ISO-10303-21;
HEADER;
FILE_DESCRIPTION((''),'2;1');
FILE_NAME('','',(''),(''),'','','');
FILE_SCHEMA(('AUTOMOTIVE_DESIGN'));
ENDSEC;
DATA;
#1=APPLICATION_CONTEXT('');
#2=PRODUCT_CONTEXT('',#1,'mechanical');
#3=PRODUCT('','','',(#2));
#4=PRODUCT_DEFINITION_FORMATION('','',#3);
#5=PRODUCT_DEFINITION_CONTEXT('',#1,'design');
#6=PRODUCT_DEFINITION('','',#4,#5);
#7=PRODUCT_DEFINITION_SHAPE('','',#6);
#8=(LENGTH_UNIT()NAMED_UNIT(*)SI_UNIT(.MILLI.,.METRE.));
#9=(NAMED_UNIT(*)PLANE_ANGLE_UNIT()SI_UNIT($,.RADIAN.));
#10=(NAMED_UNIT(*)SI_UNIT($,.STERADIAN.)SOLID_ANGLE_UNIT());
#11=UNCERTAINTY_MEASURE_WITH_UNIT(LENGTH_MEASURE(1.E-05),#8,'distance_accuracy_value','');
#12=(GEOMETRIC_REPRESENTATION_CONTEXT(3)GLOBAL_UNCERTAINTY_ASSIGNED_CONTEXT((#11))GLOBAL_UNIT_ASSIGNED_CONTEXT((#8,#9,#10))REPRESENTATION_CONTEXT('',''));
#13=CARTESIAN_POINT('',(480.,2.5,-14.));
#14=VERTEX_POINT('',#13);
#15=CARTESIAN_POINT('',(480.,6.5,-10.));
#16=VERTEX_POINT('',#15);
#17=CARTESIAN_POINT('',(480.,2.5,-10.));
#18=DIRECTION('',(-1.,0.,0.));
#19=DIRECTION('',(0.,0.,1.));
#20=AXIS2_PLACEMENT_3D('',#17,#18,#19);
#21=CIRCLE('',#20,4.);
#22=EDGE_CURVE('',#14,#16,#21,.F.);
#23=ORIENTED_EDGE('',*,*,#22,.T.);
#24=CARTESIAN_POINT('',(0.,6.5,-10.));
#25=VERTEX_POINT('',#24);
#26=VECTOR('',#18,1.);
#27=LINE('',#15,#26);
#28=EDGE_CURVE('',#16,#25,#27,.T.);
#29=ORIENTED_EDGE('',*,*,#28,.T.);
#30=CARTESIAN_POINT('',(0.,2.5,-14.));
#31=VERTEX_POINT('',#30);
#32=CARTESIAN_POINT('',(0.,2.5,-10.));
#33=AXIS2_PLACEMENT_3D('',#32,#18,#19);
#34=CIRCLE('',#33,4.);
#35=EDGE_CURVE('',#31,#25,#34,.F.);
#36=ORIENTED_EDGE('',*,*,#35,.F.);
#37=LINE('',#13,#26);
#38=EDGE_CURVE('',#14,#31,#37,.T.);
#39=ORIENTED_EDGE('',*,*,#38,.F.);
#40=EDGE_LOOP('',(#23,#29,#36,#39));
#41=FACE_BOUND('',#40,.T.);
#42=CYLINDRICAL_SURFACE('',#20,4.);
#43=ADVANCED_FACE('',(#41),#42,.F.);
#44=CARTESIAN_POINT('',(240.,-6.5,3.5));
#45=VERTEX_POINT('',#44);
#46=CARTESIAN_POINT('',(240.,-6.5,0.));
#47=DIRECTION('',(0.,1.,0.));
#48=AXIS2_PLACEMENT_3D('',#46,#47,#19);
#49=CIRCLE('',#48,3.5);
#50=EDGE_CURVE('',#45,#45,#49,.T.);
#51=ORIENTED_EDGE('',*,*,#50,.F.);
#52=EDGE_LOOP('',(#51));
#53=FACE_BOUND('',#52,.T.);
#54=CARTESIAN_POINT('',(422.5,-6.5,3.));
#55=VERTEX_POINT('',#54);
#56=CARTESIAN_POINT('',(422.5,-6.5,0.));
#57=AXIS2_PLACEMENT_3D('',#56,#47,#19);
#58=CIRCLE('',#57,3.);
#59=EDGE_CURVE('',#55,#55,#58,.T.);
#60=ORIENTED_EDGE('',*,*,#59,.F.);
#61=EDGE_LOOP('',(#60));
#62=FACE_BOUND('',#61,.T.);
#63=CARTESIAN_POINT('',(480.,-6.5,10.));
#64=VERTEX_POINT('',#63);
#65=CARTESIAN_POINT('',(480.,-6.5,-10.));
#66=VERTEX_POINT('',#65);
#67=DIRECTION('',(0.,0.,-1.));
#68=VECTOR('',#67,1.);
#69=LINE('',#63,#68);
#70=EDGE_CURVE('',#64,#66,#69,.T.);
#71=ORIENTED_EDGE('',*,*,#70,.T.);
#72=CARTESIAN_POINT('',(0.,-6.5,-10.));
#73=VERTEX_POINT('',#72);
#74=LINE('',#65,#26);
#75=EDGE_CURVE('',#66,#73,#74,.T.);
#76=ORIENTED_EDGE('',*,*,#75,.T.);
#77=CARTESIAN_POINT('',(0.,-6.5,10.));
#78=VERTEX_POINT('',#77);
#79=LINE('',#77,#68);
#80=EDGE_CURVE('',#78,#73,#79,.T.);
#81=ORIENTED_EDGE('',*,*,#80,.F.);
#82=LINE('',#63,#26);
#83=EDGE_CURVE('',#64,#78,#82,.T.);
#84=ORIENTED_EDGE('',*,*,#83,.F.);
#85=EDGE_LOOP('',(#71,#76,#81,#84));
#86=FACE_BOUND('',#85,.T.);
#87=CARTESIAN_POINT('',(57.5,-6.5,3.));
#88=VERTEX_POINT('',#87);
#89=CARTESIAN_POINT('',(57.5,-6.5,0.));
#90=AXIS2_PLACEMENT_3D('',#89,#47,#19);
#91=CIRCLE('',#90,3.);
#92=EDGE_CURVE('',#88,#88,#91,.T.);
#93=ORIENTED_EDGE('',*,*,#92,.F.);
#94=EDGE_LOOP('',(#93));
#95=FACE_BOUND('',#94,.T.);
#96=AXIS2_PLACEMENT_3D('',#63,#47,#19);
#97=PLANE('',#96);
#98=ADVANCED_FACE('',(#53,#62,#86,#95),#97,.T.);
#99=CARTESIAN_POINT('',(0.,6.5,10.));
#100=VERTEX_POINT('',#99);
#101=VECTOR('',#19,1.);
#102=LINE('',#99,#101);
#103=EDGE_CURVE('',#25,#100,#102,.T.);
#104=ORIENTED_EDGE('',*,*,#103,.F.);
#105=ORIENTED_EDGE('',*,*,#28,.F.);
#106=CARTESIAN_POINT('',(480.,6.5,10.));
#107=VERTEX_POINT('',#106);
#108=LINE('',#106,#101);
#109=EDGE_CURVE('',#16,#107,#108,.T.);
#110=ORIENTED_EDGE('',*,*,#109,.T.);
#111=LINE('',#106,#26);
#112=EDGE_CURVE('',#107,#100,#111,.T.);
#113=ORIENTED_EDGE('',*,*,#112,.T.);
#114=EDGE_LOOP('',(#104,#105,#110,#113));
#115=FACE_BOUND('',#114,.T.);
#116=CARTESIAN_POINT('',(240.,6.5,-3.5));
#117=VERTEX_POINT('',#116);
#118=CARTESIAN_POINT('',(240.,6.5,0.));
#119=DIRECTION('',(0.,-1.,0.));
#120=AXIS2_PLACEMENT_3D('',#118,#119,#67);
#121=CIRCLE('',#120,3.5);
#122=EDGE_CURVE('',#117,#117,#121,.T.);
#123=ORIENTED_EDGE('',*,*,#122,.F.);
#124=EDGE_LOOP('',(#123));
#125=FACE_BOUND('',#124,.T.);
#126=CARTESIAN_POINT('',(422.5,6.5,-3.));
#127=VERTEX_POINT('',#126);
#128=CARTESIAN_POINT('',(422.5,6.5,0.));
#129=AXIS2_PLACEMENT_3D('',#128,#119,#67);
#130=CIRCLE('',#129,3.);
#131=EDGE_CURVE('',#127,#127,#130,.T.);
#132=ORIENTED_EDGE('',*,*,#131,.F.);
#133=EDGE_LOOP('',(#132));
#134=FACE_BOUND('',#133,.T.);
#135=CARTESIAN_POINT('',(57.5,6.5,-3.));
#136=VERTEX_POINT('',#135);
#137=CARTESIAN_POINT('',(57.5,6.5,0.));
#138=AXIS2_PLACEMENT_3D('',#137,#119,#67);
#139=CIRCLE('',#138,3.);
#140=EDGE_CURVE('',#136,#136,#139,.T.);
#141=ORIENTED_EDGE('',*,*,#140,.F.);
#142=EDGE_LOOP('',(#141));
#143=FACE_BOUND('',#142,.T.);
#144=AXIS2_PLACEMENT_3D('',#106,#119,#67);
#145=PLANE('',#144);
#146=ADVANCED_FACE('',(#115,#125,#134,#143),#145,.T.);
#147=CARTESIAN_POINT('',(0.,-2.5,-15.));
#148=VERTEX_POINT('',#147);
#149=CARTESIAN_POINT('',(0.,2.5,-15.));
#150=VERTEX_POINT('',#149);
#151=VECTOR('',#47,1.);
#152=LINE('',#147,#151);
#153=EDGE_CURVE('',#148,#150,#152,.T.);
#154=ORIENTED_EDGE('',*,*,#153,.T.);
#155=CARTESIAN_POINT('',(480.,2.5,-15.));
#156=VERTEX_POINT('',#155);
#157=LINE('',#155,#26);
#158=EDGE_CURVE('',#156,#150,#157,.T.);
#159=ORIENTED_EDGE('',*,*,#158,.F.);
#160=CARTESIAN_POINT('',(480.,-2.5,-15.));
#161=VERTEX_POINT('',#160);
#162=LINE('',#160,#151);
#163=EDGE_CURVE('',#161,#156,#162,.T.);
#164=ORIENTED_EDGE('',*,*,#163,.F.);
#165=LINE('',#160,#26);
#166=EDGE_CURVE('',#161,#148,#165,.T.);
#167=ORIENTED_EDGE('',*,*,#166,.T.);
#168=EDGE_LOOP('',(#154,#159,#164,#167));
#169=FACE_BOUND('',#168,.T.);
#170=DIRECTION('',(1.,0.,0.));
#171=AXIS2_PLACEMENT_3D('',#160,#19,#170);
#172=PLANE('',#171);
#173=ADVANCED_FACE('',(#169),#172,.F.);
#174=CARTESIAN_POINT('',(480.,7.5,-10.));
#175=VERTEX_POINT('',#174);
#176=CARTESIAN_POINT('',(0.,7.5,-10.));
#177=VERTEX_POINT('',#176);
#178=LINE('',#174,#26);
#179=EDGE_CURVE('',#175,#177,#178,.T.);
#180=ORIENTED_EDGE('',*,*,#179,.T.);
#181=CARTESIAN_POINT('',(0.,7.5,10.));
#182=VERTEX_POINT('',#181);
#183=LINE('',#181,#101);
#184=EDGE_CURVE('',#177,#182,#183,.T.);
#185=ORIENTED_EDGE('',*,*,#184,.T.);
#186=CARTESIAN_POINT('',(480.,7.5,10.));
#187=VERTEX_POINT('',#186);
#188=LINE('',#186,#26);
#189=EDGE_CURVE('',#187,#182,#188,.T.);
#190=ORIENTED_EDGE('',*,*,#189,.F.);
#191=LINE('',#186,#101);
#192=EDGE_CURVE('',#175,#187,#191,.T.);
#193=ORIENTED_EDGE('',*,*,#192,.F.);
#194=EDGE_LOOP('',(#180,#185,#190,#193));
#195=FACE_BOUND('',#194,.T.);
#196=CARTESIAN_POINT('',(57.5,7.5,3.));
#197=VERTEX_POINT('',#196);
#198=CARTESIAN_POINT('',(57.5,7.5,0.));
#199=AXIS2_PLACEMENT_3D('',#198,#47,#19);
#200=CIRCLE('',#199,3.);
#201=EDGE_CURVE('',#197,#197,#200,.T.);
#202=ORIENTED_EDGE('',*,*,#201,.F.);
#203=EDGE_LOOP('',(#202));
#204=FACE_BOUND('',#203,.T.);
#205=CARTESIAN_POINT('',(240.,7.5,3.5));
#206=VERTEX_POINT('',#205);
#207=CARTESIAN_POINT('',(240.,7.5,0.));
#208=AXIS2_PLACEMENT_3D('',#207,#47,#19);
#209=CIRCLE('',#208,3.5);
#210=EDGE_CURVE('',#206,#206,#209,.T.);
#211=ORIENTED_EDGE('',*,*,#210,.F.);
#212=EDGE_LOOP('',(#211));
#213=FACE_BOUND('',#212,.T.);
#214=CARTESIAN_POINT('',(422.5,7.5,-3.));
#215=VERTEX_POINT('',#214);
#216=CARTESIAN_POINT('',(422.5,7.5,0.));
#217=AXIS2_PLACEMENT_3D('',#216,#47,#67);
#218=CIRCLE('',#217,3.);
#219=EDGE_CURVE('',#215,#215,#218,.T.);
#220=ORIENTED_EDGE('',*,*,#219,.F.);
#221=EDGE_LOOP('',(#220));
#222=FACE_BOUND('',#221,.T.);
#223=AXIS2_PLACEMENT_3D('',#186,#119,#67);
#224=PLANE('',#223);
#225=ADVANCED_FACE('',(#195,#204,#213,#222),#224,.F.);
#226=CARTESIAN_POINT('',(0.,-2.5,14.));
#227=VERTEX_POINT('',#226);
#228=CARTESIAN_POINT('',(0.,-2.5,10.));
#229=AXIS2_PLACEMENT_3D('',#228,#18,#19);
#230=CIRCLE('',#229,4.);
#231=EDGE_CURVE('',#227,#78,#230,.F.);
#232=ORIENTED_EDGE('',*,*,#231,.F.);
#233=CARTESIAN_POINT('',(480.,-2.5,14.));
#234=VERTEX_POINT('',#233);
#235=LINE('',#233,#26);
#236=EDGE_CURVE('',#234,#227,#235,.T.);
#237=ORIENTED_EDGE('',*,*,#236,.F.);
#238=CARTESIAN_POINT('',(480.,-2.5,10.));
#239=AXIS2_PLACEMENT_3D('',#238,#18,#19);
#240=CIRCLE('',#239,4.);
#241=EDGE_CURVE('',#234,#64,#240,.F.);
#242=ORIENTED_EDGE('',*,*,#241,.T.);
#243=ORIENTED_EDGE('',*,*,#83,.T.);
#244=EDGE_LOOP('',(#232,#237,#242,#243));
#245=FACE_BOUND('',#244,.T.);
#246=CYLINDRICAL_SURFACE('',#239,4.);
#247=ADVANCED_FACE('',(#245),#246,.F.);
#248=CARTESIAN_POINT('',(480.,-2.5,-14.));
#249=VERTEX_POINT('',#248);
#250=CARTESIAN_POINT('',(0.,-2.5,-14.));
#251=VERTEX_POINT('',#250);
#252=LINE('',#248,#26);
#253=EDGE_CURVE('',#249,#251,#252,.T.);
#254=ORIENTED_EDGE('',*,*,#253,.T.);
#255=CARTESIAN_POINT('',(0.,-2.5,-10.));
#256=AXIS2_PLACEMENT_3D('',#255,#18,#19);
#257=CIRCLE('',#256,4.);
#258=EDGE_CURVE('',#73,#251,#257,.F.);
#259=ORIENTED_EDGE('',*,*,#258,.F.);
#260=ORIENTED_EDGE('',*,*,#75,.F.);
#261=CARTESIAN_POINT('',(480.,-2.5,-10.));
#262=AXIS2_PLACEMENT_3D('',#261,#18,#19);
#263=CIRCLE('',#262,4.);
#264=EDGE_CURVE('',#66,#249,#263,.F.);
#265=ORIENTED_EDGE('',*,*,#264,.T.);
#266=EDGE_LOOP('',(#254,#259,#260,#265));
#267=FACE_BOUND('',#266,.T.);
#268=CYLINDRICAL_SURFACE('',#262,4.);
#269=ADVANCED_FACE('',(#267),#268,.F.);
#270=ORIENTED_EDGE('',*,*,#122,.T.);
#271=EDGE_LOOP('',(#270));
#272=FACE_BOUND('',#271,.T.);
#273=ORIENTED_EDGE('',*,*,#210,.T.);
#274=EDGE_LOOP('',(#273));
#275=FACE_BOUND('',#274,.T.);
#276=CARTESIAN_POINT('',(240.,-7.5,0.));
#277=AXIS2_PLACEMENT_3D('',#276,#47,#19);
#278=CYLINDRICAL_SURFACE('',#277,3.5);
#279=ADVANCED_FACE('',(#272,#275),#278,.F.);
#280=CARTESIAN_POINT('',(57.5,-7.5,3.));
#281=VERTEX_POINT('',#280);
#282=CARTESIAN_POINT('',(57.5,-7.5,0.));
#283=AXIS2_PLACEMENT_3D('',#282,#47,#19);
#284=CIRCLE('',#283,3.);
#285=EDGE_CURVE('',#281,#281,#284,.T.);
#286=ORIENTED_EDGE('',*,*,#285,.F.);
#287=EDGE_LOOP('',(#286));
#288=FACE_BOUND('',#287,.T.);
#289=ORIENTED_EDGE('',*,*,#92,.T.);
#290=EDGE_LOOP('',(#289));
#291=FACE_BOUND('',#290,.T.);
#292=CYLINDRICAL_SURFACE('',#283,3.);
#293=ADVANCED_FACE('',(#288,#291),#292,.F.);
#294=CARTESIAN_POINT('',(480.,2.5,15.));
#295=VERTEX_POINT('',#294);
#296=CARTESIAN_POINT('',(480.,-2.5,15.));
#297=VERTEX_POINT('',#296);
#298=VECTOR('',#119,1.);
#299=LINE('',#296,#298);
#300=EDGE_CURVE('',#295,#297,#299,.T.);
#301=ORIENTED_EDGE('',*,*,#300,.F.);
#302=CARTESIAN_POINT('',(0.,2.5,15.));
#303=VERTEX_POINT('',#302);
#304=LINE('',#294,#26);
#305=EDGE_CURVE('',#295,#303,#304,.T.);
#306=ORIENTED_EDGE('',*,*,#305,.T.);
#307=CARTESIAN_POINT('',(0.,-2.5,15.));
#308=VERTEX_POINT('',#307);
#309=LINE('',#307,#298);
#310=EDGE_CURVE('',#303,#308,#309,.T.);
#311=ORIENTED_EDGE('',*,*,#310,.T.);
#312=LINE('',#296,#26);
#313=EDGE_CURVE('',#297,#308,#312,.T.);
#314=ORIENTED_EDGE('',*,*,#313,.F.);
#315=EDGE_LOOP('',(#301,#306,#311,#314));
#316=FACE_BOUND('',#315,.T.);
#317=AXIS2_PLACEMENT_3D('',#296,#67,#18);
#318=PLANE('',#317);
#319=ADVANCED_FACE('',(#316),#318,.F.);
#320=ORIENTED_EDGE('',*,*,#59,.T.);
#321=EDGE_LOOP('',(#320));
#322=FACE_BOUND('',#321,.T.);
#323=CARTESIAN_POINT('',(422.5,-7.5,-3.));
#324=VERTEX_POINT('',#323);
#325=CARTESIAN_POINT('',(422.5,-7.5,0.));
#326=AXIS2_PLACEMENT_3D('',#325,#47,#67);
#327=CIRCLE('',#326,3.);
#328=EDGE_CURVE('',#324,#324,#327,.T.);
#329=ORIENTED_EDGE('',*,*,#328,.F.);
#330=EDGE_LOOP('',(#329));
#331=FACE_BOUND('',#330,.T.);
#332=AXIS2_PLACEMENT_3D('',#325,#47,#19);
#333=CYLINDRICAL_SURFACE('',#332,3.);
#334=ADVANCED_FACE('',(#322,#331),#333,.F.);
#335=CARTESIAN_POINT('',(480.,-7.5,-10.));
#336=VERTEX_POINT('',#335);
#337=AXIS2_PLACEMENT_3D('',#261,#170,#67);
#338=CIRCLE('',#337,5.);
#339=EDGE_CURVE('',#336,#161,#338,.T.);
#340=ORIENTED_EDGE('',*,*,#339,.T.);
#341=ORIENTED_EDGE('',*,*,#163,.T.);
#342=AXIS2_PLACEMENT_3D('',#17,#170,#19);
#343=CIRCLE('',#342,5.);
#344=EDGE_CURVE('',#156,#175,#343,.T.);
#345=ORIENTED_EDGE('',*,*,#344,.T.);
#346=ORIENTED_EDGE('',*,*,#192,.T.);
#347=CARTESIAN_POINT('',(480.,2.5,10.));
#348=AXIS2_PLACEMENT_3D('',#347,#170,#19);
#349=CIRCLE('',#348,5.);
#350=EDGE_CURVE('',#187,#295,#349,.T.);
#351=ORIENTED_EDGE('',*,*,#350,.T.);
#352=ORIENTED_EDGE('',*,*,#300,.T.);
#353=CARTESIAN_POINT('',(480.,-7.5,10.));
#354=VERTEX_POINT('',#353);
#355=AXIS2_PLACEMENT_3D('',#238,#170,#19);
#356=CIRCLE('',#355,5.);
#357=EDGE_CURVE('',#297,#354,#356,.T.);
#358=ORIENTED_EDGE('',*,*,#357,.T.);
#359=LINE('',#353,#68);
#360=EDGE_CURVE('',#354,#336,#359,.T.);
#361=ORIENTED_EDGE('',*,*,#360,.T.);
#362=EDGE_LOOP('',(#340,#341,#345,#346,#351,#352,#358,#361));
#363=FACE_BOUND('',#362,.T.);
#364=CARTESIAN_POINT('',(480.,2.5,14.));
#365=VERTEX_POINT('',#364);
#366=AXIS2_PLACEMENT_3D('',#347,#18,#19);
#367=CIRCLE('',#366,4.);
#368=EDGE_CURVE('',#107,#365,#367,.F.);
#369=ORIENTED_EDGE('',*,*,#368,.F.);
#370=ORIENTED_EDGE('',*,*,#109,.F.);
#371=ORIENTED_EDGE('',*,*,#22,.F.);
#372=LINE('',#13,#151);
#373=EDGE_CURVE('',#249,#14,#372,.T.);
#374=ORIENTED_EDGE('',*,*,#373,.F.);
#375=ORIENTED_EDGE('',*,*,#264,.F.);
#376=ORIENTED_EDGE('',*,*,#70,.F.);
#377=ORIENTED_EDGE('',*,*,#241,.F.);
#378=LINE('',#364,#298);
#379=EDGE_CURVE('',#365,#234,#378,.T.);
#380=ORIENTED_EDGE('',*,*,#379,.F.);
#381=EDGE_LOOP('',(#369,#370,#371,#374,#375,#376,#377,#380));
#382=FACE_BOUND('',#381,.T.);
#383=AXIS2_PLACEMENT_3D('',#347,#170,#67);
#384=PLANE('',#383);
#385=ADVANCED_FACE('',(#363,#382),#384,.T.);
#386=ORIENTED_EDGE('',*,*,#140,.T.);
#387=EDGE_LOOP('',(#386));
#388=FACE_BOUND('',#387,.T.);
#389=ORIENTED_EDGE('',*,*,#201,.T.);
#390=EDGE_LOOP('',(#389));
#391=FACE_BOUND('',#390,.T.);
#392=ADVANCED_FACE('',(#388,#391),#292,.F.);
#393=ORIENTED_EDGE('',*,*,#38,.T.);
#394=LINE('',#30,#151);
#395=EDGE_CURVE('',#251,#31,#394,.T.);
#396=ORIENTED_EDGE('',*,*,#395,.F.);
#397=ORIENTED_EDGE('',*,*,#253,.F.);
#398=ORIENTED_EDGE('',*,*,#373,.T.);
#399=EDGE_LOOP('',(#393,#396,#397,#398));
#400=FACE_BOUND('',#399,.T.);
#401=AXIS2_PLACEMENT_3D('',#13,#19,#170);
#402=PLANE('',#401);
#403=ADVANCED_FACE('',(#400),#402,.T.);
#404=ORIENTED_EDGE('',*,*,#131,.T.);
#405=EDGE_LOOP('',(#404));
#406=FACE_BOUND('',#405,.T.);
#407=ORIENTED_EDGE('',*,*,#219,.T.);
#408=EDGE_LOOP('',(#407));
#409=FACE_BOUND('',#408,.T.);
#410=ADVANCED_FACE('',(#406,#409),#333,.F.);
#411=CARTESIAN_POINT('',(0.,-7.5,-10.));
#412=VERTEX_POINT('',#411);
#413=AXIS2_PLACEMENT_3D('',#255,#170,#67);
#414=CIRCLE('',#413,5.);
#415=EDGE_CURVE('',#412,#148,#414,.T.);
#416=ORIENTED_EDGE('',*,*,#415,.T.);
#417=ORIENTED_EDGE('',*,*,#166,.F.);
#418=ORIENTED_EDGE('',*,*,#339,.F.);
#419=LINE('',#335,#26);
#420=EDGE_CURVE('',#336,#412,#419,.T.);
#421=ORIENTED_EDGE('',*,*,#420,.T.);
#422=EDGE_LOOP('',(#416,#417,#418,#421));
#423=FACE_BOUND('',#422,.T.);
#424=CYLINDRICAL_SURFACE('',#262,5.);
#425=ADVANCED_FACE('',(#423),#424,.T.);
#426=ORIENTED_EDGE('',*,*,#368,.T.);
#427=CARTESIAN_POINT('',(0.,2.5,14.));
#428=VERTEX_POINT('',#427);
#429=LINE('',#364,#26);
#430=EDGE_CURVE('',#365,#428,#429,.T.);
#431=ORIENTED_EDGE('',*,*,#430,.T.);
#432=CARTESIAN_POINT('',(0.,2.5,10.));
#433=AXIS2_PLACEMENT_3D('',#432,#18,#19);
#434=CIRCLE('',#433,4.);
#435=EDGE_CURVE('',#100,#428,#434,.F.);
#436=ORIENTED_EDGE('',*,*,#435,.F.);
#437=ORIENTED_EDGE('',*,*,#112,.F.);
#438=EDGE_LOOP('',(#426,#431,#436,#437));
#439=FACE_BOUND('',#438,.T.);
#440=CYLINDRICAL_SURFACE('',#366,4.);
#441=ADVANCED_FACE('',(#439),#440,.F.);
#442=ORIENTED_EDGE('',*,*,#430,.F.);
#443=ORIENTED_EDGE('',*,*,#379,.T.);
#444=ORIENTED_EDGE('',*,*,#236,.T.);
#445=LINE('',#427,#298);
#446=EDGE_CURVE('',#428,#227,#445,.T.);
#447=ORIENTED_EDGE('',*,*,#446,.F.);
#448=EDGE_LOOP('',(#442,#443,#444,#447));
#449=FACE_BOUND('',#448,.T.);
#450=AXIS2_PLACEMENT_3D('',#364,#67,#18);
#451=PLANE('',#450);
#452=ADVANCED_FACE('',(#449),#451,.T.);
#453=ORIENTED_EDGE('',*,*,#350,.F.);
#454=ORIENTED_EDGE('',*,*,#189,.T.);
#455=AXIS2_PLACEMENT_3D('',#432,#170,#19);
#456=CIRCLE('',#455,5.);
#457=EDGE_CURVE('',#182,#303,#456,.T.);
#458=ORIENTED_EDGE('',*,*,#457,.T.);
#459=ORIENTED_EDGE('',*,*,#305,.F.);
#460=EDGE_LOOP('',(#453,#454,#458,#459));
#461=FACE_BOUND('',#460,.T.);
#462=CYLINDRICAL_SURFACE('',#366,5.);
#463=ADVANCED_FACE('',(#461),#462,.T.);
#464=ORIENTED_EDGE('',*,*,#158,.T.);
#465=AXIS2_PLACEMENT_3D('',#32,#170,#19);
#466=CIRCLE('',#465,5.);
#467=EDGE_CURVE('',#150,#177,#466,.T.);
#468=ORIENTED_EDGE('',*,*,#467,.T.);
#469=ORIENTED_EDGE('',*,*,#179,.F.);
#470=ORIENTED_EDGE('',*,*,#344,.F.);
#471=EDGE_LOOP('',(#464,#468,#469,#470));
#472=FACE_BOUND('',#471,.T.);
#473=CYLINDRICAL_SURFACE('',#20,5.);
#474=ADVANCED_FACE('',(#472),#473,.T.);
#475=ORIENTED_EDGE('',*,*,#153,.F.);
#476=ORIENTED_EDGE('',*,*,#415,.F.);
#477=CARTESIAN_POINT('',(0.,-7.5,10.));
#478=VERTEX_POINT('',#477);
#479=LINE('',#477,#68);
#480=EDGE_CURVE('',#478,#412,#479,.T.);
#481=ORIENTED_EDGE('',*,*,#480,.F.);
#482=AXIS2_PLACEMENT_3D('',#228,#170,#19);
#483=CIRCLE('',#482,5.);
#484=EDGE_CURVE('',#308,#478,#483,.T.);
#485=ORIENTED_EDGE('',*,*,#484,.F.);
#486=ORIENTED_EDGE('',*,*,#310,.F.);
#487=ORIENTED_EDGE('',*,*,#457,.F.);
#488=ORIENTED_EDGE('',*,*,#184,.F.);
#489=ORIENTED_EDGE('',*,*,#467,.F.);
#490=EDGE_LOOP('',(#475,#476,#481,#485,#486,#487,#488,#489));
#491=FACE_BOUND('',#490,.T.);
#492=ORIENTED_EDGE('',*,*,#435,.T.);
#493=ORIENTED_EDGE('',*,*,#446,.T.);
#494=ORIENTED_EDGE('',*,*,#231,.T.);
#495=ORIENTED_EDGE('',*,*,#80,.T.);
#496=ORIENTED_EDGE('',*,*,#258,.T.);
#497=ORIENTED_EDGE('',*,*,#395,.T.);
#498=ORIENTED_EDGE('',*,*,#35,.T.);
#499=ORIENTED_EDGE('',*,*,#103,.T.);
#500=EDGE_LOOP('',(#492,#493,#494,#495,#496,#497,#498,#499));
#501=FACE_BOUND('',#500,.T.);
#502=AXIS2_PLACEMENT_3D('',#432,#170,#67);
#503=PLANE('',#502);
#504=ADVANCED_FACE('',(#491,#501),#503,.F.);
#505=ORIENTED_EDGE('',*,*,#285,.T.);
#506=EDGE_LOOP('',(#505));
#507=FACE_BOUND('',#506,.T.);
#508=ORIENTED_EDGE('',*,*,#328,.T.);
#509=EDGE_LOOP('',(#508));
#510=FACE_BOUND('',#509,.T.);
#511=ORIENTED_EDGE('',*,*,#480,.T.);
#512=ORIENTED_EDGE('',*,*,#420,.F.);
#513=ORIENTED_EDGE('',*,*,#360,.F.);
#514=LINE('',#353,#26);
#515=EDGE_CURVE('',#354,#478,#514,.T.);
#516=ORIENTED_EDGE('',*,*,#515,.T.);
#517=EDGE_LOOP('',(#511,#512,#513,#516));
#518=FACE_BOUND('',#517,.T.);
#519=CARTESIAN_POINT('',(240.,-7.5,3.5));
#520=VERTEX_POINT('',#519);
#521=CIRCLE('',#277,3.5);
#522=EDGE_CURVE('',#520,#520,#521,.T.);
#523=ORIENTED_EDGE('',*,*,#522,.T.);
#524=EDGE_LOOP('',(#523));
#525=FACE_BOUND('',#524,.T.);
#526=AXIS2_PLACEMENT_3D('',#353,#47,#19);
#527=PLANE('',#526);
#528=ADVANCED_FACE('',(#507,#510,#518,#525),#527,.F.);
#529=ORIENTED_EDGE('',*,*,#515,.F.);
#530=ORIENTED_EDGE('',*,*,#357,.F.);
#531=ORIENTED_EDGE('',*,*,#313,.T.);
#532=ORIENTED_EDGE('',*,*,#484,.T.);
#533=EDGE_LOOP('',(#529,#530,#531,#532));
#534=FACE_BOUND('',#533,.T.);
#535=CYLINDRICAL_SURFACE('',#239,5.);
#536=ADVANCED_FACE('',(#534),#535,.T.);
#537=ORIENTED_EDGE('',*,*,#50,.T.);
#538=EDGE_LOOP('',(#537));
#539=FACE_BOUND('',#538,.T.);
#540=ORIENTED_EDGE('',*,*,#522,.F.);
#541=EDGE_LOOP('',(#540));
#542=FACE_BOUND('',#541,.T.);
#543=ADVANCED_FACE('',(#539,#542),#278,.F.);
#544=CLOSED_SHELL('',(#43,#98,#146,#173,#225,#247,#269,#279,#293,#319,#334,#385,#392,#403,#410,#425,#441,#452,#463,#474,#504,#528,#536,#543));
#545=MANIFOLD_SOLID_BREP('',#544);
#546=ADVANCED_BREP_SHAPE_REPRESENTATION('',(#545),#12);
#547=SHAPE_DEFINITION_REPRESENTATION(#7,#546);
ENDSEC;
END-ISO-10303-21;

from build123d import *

# Parameters (mm, degrees)
EXTRUDE_1_DEPTH     = 480
SKETCH_2_R          = 3.5
SKETCH_2_R_2        = 3
CUT_EXTRUDE_1_DEPTH = 481.468521341


with BuildPart() as part:
    # Эскиз1 → Вытянуть-Тонкостенный1 (new body)
    with BuildSketch(Plane(origin=(0, 0, 0), x_dir=(0, 0, -1), z_dir=(1, 0, 0))):
        with BuildLine():
            Line((10, 7.5), (-10, 7.5))
            ThreePointArc((-10, 7.5), (-13.535533906, 6.035533906), (-15, 2.5))
            Line((-15, 2.5), (-15, -2.5))
            ThreePointArc((-15, -2.5), (-13.535533906, -6.035533906), (-10, -7.5))
            Line((-10, -7.5), (10, -7.5))
            ThreePointArc((10, -7.5), (13.535533906, -6.035533906), (15, -2.5))
            Line((15, -2.5), (15, 2.5))
            ThreePointArc((15, 2.5), (13.535533906, 6.035533906), (10, 7.5))
        make_face()
        with BuildLine():
            Line((10, 6.5), (-10, 6.5))
            ThreePointArc((-10, 6.5), (-12.828427125, 5.328427125), (-14, 2.5))
            Line((-14, 2.5), (-14, -2.5))
            ThreePointArc((-14, -2.5), (-12.828427125, -5.328427125), (-10, -6.5))
            Line((-10, -6.5), (10, -6.5))
            ThreePointArc((10, -6.5), (12.828427125, -5.328427125), (14, -2.5))
            Line((14, -2.5), (14, 2.5))
            ThreePointArc((14, 2.5), (12.828427125, 5.328427125), (10, 6.5))
        make_face(mode=Mode.SUBTRACT)
    extrude(amount=EXTRUDE_1_DEPTH)

    # Эскиз2 → Вырез-Вытянуть1 (cut, through all)
    with BuildSketch(Plane(origin=(0, 7.5, 0), x_dir=(1, 0, 0), z_dir=(0, 1, 0))):
        with Locations(Location((240, 0, 0), (0, 0, 270))):
            Circle(SKETCH_2_R)
        with Locations(Location((57.5, 0, 0), (0, 0, 270))):
            Circle(SKETCH_2_R_2)
        with Locations(Location((422.5, 0, 0), (0, 0, 90))):
            Circle(SKETCH_2_R_2)
    extrude(amount=-CUT_EXTRUDE_1_DEPTH, mode=Mode.SUBTRACT)


solid = part.part
